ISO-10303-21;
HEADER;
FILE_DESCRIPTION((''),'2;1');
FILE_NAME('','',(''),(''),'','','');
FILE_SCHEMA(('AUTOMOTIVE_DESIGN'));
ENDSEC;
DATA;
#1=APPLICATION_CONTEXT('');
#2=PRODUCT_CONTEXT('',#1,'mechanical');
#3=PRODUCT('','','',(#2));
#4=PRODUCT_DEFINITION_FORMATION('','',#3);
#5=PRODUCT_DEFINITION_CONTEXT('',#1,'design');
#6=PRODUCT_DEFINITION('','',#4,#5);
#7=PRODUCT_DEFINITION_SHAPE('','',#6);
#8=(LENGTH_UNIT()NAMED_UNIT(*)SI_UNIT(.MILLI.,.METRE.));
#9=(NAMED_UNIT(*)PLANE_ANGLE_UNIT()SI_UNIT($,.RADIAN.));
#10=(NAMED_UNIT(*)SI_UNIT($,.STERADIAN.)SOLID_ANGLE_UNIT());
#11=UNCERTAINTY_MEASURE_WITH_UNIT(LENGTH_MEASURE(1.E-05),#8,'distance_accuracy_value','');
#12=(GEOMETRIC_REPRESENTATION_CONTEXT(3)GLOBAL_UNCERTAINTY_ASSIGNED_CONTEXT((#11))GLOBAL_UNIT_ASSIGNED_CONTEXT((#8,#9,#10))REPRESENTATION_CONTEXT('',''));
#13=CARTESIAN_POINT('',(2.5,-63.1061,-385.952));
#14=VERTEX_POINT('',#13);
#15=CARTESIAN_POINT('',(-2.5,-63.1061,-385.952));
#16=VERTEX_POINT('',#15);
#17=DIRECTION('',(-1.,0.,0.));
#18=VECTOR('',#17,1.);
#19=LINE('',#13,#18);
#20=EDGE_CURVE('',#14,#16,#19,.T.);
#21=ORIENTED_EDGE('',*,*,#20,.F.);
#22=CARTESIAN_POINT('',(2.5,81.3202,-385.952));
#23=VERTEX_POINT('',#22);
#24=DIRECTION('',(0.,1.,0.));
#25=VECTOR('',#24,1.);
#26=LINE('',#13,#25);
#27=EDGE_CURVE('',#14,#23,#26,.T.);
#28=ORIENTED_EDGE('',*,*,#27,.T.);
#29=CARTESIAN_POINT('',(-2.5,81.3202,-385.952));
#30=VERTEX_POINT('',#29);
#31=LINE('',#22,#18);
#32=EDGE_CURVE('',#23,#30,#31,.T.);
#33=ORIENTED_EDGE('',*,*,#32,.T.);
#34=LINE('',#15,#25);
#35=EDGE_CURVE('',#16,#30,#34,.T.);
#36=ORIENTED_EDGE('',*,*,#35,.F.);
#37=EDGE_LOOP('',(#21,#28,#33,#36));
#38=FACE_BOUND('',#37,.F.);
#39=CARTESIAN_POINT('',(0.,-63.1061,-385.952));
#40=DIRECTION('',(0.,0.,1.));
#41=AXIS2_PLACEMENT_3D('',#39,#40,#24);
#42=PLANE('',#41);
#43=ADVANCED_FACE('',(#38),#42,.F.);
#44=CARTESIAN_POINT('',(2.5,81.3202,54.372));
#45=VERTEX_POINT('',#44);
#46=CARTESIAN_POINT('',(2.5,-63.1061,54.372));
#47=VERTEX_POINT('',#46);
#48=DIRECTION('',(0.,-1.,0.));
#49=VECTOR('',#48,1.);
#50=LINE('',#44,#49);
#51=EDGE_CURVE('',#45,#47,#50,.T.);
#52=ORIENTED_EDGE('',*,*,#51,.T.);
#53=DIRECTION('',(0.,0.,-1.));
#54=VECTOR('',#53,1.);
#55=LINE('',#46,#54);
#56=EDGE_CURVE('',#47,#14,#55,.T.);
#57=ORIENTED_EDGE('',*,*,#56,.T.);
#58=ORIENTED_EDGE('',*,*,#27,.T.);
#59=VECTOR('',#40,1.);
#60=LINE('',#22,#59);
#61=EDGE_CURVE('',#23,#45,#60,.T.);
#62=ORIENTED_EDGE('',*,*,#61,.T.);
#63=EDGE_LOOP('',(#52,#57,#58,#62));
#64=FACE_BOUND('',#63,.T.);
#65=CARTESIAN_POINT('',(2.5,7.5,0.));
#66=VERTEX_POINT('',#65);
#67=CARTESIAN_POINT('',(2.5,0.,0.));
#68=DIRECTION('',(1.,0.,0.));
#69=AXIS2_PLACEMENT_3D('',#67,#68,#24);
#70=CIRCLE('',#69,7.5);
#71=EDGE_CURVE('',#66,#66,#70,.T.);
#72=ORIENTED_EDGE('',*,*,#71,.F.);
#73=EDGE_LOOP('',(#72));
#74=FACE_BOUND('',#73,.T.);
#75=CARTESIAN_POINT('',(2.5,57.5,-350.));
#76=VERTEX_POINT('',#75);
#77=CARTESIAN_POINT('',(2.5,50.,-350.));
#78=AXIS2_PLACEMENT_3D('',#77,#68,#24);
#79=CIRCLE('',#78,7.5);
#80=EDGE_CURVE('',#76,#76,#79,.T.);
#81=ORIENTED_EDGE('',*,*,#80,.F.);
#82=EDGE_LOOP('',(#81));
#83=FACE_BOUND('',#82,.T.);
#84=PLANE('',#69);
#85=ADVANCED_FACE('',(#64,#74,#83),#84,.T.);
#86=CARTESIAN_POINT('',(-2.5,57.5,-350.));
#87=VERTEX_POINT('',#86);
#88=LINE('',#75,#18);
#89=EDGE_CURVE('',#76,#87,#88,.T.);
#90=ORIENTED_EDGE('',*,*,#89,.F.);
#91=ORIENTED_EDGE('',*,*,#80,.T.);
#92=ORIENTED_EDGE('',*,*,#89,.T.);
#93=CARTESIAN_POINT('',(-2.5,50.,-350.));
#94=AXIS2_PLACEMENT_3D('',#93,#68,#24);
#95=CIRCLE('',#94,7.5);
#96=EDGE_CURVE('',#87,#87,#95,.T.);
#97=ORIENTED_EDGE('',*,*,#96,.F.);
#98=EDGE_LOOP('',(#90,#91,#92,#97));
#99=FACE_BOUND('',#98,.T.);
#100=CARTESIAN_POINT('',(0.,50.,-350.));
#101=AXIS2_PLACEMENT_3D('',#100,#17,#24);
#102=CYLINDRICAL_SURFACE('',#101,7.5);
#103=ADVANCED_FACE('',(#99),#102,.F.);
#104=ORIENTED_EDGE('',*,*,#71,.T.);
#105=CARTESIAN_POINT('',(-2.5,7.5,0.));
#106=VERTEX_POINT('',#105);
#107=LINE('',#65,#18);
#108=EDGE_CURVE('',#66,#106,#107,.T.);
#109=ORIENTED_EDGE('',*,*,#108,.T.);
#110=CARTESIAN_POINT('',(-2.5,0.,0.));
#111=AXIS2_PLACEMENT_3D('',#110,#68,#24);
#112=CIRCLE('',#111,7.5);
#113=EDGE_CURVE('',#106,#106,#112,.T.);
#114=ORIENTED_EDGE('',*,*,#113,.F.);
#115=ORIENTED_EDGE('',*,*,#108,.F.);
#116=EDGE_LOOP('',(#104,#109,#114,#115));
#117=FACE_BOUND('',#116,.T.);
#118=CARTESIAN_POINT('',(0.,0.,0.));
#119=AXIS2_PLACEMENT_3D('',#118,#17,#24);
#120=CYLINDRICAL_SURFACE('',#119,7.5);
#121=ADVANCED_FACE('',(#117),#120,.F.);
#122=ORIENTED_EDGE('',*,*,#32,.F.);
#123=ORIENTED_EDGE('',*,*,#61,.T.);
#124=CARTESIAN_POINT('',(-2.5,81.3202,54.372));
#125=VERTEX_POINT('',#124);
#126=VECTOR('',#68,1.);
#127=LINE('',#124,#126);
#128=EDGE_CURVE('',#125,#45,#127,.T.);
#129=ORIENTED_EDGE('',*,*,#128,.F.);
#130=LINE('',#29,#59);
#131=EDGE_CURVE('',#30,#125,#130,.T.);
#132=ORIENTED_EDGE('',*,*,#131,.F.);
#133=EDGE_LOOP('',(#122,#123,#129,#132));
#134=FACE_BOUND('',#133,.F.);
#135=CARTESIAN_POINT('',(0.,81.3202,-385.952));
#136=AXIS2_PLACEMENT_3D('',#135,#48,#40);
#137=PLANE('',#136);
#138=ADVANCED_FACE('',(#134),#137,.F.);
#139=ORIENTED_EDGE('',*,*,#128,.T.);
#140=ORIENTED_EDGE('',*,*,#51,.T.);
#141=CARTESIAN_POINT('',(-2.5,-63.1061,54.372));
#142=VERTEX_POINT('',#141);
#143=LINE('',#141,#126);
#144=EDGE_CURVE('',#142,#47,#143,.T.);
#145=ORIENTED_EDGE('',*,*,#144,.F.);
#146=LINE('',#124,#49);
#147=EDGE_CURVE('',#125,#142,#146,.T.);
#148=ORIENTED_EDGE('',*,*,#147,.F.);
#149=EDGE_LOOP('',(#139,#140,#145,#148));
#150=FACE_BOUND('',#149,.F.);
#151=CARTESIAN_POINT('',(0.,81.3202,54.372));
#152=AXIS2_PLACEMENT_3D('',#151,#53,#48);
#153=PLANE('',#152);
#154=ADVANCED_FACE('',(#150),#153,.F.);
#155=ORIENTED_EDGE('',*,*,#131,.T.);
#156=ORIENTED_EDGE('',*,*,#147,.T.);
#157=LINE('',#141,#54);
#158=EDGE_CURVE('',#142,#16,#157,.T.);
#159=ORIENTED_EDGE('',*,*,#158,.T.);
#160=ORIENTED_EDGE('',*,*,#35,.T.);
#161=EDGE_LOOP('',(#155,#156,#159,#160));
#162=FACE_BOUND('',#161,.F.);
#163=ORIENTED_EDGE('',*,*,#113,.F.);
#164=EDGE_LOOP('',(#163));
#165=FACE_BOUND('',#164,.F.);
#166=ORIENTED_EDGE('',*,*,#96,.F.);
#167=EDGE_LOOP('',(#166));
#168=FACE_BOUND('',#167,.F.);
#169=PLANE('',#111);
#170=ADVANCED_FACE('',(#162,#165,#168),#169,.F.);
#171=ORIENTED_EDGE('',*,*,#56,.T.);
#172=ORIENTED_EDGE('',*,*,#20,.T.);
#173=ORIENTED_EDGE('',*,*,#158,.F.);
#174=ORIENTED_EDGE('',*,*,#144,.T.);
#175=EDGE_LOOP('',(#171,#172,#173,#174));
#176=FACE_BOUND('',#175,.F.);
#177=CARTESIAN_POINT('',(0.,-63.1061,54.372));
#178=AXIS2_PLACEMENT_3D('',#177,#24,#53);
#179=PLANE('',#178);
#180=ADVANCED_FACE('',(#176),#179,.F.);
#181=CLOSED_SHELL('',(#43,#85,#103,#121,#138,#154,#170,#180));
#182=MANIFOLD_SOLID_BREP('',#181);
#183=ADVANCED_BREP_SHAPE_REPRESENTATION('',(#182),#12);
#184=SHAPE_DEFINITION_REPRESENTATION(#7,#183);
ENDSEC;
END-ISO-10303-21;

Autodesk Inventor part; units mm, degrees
ref_plane "YZ Plane" through (0, 0, 0) normal (1, 0, 0) x (0, 1, 0)
ref_plane "XZ Plane" through (0, 0, 0) normal (0, 1, 0) x (-1, 0, 0)
ref_plane "XY Plane" through (0, 0, 0) normal (0, 0, 1) x (1, 0, 0)
sketch "スケッチ1" plane through (0, 0, 0) normal (1, 0, 0) x (0, 1, 0)
  circle A0 centre (0, 0) radius 7.5
  circle A1 centre (50, -350) radius 7.5
  line L0 (81.3202, 54.372) -> (-63.1061, 54.372)
  line L1 (-63.1061, 54.372) -> (-63.1061, -385.952)
  line L2 (-63.1061, -385.952) -> (81.3202, -385.952)
  line L3 (81.3202, -385.952) -> (81.3202, 54.372)
  dimension "d0" = 50
  dimension "d1" = 350
  dimension "d2" = 15
  dimension "d3" = 15
extrude "押し出し1" add sketch "スケッチ1" along normal mid plane 5
properties part number "stay_center" material "鉄、可鍛鉄"
